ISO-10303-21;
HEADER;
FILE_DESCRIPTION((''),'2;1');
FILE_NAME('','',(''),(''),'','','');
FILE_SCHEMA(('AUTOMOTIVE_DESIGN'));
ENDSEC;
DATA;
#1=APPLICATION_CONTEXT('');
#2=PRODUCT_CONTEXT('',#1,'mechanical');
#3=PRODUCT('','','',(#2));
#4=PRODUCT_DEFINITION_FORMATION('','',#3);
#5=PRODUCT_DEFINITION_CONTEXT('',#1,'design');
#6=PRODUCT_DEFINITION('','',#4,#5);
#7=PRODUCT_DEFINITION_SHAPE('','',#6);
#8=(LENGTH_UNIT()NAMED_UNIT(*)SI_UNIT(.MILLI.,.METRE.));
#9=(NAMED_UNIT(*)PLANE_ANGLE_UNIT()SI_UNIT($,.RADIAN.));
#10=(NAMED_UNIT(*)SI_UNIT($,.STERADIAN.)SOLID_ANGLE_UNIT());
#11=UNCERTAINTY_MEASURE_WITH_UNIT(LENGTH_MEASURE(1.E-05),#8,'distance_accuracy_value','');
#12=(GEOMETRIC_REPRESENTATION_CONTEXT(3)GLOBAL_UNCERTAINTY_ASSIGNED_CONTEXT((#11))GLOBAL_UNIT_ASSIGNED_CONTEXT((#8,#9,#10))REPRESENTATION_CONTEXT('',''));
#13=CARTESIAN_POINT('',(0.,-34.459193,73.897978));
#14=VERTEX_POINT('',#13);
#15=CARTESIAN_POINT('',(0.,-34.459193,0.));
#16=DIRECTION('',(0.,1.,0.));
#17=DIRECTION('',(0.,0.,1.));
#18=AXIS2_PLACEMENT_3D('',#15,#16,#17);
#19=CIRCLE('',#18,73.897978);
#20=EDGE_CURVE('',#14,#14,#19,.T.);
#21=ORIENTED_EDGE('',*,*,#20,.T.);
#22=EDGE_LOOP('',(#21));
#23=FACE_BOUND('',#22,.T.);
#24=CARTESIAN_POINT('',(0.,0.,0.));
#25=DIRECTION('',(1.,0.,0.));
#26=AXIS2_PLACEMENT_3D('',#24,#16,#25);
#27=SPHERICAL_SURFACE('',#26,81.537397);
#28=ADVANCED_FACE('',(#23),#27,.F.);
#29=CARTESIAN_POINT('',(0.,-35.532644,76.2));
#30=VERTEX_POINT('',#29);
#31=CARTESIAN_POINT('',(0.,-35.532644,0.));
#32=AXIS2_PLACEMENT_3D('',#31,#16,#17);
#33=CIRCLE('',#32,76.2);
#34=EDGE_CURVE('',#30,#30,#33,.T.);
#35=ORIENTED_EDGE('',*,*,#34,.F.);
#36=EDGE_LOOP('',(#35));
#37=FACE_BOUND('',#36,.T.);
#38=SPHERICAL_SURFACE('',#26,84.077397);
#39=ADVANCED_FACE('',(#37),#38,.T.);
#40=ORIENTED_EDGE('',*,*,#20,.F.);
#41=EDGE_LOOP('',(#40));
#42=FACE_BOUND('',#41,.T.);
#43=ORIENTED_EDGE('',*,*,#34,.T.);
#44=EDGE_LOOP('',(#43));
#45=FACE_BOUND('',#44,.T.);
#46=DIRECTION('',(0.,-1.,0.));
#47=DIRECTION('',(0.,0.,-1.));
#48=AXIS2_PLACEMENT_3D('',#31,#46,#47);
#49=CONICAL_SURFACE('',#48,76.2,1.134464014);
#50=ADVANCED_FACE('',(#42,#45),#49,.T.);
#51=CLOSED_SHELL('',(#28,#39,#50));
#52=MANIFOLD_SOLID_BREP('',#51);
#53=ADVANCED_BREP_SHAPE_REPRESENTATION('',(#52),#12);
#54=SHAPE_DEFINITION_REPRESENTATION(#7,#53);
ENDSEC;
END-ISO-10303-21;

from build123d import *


with BuildPart() as part:
    # Sketch1 → Revolve6 (revolve)
    with BuildSketch(Plane.XY):
        with BuildLine():
            Line((0, -84.077397425), (0, -81.537397425))
            ThreePointArc((0, -81.537397425), (43.810011702, -68.767943502), (73.897978221, -34.459193167))
            Line((73.897978221, -34.459193167), (76.2, -35.532643551))
            ThreePointArc((76.2, -35.532643551), (45.174752707, -70.910157774), (0, -84.077397425))
        make_face()
    revolve(axis=Axis((0, 83.82, 0), (0, -1, 0)))


solid = part.part
